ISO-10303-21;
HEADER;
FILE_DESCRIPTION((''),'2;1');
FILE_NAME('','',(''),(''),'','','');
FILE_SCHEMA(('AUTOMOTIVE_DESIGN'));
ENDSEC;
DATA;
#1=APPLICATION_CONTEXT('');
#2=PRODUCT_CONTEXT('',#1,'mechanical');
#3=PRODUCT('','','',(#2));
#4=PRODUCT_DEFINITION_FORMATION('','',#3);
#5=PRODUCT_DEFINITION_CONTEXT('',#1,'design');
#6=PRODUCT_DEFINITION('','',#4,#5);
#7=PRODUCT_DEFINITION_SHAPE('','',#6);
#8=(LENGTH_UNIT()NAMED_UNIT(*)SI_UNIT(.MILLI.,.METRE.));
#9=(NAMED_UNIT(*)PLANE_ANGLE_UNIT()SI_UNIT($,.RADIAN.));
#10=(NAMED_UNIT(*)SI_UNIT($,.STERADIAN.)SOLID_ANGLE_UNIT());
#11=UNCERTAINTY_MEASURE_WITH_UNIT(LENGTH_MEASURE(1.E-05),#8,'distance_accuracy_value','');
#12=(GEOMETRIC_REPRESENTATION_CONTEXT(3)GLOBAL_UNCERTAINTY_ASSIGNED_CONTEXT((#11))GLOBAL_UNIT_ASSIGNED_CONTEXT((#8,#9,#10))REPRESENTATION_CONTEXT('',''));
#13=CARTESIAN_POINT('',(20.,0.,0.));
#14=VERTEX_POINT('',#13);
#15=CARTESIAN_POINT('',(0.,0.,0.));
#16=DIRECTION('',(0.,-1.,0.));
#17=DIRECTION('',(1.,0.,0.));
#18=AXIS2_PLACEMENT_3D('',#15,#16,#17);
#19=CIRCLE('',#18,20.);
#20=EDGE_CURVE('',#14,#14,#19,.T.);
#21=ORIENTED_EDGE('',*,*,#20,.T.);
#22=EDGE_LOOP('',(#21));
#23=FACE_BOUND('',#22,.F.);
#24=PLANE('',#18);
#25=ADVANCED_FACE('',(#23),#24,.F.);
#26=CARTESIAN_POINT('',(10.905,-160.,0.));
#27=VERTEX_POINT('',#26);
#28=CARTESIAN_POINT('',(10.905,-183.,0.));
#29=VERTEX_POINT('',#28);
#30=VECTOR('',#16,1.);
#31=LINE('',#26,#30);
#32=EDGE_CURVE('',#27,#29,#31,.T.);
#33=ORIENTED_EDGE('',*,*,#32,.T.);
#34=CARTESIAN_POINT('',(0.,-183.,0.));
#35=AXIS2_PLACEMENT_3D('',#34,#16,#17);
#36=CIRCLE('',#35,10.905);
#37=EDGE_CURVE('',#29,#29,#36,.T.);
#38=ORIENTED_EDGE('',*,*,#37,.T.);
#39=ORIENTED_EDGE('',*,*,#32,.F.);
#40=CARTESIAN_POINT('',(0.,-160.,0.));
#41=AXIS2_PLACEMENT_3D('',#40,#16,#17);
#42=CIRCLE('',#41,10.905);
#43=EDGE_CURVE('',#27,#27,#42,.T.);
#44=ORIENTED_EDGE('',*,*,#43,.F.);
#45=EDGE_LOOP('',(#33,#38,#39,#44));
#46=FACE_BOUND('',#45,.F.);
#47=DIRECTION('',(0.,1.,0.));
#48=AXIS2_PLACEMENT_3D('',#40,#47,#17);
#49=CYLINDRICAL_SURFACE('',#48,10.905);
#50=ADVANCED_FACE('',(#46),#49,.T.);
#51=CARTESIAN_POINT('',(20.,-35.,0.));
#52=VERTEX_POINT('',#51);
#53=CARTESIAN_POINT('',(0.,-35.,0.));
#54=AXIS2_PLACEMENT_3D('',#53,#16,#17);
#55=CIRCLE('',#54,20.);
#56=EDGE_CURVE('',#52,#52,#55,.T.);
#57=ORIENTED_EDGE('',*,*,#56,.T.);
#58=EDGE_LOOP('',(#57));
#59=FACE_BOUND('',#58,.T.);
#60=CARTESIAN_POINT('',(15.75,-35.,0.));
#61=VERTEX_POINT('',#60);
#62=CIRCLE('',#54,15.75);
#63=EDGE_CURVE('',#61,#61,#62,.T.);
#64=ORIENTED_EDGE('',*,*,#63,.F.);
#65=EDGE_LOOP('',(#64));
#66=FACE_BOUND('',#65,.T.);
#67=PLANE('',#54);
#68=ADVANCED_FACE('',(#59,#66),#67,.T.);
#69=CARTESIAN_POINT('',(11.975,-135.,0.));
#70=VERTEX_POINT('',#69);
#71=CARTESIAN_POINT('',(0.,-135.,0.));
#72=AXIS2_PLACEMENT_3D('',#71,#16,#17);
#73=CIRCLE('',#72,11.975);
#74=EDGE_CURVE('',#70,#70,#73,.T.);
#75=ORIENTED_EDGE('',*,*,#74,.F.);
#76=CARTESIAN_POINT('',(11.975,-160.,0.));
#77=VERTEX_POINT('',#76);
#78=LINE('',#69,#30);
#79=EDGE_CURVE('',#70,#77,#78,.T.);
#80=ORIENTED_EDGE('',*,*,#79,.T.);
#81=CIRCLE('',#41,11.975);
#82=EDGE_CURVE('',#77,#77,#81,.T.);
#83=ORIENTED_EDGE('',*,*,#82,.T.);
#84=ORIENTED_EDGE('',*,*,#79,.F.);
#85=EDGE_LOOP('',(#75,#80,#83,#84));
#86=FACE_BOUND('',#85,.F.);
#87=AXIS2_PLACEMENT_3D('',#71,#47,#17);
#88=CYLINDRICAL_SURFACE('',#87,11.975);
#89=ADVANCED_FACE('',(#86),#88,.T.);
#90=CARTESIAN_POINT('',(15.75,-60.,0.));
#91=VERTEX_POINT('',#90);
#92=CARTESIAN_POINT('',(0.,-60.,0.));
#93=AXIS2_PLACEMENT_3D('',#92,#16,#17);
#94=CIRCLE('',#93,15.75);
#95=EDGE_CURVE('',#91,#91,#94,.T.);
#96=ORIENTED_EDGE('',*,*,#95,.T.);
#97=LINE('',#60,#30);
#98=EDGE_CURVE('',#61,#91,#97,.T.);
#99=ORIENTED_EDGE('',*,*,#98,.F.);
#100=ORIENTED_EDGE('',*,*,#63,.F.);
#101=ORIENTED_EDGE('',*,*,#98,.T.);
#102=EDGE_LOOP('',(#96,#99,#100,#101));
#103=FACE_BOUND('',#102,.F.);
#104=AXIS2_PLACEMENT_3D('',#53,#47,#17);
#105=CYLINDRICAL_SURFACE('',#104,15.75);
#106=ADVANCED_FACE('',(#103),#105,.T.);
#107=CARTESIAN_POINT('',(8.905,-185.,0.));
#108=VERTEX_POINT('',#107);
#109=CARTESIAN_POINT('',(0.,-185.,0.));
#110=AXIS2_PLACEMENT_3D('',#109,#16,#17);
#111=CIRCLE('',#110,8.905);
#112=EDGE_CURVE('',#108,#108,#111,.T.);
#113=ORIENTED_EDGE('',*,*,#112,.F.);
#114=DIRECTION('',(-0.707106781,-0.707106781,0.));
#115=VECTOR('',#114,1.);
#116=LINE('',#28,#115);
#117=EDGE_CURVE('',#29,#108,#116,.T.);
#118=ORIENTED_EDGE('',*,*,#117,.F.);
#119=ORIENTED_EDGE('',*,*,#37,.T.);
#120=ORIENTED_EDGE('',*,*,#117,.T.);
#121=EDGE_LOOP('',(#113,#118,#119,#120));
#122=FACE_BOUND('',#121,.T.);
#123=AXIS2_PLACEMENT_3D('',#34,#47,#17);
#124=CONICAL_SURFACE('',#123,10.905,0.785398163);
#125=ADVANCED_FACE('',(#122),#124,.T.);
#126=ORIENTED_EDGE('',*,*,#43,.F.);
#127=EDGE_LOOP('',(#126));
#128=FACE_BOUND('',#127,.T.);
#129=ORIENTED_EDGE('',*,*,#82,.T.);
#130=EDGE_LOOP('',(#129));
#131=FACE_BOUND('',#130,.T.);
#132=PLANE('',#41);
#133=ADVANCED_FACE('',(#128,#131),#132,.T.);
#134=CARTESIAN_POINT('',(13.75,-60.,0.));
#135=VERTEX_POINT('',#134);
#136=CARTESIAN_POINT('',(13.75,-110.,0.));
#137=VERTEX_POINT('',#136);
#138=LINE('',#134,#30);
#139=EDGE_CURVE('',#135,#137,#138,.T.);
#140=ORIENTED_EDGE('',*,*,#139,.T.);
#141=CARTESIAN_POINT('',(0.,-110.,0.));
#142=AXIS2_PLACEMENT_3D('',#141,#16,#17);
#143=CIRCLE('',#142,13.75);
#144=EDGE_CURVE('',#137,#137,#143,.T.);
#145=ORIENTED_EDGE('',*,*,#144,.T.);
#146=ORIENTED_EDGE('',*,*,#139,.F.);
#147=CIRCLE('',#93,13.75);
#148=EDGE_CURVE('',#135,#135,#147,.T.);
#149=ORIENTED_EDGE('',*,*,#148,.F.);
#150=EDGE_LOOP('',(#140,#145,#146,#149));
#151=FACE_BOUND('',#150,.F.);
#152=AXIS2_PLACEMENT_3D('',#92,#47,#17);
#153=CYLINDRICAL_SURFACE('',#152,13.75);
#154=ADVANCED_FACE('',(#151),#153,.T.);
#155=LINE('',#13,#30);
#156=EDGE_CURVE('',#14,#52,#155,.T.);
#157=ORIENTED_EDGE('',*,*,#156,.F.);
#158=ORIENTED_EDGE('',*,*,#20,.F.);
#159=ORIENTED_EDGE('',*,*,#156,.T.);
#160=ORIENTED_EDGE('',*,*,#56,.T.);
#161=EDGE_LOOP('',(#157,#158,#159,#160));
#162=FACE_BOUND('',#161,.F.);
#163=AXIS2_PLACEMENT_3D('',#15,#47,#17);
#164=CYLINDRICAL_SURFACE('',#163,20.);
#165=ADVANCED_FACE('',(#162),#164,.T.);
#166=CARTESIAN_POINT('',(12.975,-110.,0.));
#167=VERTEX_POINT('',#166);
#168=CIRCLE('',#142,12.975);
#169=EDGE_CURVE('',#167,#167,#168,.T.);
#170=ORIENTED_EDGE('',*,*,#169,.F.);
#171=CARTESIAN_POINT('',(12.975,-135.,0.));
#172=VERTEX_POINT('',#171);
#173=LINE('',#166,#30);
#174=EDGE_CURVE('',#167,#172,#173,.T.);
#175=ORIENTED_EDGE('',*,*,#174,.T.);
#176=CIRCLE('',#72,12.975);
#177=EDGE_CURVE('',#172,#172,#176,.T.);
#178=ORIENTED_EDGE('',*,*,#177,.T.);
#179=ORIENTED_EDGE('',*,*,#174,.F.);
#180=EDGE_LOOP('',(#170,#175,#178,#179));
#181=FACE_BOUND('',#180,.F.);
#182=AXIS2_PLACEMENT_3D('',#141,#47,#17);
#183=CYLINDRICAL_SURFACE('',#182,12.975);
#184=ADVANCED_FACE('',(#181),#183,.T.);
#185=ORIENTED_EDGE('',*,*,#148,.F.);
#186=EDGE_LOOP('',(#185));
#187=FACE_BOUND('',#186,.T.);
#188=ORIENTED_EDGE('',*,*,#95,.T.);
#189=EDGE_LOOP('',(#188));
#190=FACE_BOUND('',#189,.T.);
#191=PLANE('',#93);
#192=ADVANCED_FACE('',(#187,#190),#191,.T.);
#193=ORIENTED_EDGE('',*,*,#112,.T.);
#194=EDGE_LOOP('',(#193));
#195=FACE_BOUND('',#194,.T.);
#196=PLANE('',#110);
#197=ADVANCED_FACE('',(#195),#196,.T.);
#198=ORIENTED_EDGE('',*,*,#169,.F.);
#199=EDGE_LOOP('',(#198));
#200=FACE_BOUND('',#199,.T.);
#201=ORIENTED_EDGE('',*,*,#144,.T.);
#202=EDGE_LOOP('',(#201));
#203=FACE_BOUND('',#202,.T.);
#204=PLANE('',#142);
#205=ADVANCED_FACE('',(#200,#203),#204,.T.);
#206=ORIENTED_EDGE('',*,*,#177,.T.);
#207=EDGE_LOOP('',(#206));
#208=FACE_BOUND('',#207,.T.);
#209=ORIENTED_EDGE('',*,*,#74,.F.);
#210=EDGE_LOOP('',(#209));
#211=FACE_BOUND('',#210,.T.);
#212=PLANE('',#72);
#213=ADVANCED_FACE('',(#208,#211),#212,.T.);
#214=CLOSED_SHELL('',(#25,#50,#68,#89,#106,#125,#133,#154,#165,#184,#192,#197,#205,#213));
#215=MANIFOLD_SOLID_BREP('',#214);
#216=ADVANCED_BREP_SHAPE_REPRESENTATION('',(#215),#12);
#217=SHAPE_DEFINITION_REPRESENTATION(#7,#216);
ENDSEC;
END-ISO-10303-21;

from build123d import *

# Parameters (mm, degrees)
F0_R      = 20
F1_DEPTH  = 35
F3_R      = 15.75
F4_DEPTH  = 25
F6_R      = 13.75
F7_DEPTH  = 50
F8_R      = 12.975
F9_DEPTH  = 25
F10_R     = 11.975
F11_DEPTH = 25
F12_R     = 10.905
F13_DEPTH = 25
F14_SIZE  = 2


with BuildPart() as f1:
    # F0 (on Front) → F1 (new body)
    with BuildSketch(Plane.XZ):
        Circle(F0_R)
    extrude(amount=F1_DEPTH)

    # F3 (on offset) → F4 (join)
    with BuildSketch(Plane.XZ.offset(35)):
        Circle(F3_R)
    extrude(amount=F4_DEPTH)

    # F6 (on offset) → F7 (join)
    with BuildSketch(Plane.XZ.offset(60)):
        Circle(F6_R)
    extrude(amount=F7_DEPTH)

    # F8 (on face) → F9 (join)
    with BuildSketch(Plane.XZ.offset(110)):
        Circle(F8_R)
    extrude(amount=F9_DEPTH)

    # F10 (on face) → F11 (join)
    with BuildSketch(Plane.XZ.offset(135)):
        Circle(F10_R)
    extrude(amount=F11_DEPTH)

    # F12 (on face) → F13 (join)
    with BuildSketch(Plane.XZ.offset(160)):
        Circle(F12_R)
    extrude(amount=F13_DEPTH)

    # F14
    f14_edges = [f1.edges().sort_by_distance(p)[0] for p in [
        (-10.905, -185, 0),
    ]]
    chamfer(f14_edges, length=F14_SIZE)


solid = f1.part
